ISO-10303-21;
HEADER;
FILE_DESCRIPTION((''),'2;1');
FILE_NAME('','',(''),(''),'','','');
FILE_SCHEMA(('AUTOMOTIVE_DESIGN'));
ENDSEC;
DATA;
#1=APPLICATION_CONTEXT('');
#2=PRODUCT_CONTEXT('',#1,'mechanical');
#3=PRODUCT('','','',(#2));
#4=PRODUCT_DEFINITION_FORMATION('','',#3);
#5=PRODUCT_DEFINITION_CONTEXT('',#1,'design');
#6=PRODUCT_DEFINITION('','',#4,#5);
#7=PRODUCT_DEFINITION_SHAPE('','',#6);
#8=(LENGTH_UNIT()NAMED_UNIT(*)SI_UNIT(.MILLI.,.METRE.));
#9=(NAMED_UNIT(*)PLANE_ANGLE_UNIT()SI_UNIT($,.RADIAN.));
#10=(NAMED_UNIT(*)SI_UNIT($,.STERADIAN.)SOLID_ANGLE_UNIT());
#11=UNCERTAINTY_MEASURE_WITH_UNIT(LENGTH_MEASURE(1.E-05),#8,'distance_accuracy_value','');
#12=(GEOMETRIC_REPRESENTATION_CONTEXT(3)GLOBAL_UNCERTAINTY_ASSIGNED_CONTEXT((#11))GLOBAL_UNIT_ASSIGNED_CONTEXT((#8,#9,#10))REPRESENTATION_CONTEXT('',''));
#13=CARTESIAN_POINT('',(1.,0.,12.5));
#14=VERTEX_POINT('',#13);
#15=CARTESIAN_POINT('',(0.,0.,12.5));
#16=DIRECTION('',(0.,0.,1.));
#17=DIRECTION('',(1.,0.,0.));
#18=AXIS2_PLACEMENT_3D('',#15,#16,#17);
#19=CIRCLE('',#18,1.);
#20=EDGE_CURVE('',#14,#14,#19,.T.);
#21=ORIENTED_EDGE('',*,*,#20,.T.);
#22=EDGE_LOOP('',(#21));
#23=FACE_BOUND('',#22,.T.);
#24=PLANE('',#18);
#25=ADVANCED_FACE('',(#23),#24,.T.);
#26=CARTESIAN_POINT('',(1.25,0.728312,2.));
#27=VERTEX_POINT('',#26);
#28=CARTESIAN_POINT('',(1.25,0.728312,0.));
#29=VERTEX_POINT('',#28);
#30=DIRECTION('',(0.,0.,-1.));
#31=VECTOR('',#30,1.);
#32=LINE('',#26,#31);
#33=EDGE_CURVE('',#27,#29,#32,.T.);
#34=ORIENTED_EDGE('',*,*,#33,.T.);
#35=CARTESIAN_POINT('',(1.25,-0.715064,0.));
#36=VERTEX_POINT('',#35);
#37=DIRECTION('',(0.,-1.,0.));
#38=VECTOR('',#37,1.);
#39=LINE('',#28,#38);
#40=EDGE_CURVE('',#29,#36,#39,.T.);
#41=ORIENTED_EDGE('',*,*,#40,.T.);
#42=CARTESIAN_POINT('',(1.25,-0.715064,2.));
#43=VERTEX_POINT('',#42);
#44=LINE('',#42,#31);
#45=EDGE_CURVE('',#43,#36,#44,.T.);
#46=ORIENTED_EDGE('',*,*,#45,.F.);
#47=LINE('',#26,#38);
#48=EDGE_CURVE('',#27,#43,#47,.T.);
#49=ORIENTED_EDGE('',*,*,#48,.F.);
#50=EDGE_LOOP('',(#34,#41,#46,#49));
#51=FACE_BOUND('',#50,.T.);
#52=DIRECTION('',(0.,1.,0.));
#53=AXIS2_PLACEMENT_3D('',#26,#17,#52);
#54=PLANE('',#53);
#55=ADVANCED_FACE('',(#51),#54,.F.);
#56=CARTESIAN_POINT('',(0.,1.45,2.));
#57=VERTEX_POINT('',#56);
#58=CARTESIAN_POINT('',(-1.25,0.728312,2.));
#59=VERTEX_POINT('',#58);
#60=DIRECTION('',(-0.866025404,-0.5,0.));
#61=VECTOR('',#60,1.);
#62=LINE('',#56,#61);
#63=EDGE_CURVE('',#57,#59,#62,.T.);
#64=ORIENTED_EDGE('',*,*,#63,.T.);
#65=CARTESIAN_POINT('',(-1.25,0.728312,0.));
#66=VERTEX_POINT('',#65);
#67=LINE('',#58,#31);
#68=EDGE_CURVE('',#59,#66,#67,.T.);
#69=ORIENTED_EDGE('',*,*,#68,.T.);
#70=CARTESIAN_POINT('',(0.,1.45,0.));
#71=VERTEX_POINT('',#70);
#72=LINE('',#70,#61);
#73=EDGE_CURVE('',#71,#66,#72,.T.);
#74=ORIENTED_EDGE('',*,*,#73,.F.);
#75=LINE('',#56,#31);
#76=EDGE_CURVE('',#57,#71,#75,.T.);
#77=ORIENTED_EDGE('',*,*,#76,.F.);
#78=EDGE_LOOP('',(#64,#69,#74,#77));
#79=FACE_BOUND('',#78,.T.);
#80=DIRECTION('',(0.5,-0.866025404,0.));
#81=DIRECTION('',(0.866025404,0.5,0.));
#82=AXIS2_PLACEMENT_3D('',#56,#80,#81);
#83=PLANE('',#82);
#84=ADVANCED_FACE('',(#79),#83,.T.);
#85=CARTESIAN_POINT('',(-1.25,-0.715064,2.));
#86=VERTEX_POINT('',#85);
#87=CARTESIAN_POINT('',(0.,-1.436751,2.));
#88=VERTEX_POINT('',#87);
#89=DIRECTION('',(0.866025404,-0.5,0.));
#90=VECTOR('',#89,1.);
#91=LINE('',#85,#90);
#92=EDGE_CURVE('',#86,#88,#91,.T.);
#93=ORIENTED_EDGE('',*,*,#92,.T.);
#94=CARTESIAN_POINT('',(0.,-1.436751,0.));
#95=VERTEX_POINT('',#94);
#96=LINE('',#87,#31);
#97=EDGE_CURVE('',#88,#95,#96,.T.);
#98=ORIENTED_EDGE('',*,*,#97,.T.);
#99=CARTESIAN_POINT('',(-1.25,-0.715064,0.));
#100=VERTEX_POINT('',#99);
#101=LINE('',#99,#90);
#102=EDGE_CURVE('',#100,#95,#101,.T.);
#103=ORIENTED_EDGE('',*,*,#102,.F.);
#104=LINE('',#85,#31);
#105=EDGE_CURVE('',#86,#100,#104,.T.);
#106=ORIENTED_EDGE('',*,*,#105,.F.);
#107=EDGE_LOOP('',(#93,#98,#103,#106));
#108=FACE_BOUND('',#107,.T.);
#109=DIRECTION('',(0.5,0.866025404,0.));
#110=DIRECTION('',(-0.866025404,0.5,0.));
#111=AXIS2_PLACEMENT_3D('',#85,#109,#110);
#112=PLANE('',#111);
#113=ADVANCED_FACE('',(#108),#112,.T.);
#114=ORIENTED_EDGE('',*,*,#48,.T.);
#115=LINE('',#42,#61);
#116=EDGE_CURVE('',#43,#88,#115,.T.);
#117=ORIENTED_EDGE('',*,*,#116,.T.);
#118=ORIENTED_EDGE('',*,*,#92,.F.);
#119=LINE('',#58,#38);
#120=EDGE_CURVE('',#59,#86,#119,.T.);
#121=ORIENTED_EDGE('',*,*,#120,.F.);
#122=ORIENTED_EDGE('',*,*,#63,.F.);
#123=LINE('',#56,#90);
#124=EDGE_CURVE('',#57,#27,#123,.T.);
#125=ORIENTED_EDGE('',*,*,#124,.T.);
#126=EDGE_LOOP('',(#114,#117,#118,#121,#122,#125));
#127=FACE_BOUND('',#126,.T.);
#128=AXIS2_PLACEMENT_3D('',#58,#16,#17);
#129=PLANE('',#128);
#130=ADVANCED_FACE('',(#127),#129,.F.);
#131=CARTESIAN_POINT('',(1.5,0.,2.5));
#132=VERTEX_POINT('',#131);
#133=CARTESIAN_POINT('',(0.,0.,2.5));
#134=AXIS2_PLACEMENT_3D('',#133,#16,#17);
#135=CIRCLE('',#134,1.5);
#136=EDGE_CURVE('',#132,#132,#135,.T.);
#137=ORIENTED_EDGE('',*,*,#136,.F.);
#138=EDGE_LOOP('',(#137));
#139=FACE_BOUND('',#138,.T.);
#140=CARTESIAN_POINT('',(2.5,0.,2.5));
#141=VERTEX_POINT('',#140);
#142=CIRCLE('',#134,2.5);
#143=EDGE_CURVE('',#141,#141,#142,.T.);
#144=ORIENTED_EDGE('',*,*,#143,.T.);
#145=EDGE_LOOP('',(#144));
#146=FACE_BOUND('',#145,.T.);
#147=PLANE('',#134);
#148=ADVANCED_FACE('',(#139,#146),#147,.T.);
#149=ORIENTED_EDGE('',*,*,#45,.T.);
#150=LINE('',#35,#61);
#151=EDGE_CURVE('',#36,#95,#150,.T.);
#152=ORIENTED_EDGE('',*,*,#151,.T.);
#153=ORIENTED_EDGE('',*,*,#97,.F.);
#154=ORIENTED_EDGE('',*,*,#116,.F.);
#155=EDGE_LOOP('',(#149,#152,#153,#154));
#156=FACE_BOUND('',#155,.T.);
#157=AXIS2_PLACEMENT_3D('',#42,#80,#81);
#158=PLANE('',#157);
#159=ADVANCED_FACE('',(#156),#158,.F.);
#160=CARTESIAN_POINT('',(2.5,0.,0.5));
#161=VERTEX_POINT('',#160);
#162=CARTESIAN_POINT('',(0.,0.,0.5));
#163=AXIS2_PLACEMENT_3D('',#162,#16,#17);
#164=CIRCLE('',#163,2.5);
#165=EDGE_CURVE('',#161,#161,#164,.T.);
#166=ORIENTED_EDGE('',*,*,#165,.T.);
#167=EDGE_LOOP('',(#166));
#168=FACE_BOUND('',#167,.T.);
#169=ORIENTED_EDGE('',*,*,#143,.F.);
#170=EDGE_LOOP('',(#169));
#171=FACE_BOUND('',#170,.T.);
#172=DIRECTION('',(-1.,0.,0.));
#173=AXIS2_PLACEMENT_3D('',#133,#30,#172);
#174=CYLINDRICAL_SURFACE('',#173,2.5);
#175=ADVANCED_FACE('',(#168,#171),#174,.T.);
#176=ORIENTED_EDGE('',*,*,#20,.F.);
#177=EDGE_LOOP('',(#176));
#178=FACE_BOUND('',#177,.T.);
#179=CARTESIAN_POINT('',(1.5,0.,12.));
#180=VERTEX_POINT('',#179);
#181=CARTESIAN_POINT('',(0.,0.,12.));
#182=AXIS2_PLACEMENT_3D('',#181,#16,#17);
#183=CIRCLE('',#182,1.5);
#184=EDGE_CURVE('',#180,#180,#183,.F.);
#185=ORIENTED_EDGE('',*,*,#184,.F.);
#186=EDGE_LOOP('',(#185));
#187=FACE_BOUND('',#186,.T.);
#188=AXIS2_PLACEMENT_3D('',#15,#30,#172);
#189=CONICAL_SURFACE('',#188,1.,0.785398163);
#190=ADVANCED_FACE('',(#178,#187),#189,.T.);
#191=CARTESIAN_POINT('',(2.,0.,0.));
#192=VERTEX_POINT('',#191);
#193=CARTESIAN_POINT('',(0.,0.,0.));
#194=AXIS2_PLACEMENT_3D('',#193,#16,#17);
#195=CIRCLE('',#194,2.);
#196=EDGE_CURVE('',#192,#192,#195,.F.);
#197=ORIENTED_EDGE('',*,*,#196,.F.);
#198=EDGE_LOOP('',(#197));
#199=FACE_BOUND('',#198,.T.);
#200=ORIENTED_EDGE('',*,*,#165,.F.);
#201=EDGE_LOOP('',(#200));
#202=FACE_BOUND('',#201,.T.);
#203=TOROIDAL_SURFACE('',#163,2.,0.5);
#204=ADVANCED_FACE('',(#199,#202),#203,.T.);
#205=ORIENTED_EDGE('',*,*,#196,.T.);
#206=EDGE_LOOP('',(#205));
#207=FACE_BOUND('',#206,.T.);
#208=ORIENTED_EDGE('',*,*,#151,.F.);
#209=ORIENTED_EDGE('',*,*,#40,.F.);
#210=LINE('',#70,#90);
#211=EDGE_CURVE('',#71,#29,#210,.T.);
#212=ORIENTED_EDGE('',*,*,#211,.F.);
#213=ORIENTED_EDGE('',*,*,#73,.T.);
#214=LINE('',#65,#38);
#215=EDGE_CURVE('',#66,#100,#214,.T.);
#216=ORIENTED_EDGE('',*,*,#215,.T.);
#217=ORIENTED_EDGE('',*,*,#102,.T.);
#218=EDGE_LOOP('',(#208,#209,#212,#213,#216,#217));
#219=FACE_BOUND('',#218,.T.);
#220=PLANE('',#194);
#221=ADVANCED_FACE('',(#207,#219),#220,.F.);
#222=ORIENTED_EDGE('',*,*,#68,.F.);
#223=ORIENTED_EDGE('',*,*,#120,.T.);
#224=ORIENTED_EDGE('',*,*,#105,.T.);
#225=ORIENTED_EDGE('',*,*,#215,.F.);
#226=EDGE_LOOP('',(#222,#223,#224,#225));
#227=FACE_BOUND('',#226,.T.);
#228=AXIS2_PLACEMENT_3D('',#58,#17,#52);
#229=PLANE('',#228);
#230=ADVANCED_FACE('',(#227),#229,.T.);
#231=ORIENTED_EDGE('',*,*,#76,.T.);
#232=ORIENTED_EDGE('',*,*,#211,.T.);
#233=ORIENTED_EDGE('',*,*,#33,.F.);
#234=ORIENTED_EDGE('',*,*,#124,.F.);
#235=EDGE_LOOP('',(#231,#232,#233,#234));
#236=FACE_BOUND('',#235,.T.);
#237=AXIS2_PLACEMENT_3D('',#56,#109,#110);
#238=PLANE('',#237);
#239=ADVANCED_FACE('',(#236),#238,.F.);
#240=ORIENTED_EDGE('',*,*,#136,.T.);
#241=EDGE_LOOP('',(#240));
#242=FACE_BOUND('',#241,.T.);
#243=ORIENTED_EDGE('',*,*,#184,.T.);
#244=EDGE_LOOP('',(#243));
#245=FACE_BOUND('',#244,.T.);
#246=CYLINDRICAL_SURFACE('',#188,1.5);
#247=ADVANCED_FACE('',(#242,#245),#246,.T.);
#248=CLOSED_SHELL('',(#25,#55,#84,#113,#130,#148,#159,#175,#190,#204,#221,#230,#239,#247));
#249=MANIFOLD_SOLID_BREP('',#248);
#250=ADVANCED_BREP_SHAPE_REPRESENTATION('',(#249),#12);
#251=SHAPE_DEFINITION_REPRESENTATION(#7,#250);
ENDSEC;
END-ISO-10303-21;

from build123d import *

# Parameters (mm, degrees)
ESQUISSE1_R             = 2.5
BASE_EXTRUSION_DEPTH    = 2.5
ESQUISSE2_R             = 1.5
BOSS_EXTRU_1_DEPTH      = 10
ENL_V_MAT_EXTRU_1_DEPTH = 2
CONG_1_R                = 0.5
CHANFREIN1_SIZE         = 0.5


with BuildPart() as part:
    # Esquisse1 → Base-Extrusion (new body)
    with BuildSketch(Plane.XY):
        Circle(ESQUISSE1_R)
    extrude(amount=BASE_EXTRUSION_DEPTH)

    # Esquisse2 → Boss.-Extru.1 (add)
    with BuildSketch(Plane.XY.offset(2.5)):
        Circle(ESQUISSE2_R)
    extrude(amount=BOSS_EXTRU_1_DEPTH)

    # Esquisse3 → Enlèv. mat.-Extru.1 (cut)
    with BuildSketch(Plane(origin=(0, 0, 0), x_dir=(-1, 0, 0), z_dir=(0, 0, -1))):
        Polygon((0, 1.45), (-1.25, 0.728312164), (-1.25, -0.715063509), (0, -1.436751346), (1.25, -0.715063509), (1.25, 0.728312164), align=None)
    extrude(amount=-ENL_V_MAT_EXTRU_1_DEPTH, mode=Mode.SUBTRACT)

    # Congé1
    cong_1_edges = [part.edges().sort_by_distance(p)[0] for p in [
        (-2.5, 0, 0),
    ]]
    fillet(cong_1_edges, radius=CONG_1_R)

    # Chanfrein1
    chanfrein1_edges = [part.edges().sort_by_distance(p)[0] for p in [
        (-1.5, 0, 12.5),
    ]]
    chamfer(chanfrein1_edges, length=CHANFREIN1_SIZE)


solid = part.part
